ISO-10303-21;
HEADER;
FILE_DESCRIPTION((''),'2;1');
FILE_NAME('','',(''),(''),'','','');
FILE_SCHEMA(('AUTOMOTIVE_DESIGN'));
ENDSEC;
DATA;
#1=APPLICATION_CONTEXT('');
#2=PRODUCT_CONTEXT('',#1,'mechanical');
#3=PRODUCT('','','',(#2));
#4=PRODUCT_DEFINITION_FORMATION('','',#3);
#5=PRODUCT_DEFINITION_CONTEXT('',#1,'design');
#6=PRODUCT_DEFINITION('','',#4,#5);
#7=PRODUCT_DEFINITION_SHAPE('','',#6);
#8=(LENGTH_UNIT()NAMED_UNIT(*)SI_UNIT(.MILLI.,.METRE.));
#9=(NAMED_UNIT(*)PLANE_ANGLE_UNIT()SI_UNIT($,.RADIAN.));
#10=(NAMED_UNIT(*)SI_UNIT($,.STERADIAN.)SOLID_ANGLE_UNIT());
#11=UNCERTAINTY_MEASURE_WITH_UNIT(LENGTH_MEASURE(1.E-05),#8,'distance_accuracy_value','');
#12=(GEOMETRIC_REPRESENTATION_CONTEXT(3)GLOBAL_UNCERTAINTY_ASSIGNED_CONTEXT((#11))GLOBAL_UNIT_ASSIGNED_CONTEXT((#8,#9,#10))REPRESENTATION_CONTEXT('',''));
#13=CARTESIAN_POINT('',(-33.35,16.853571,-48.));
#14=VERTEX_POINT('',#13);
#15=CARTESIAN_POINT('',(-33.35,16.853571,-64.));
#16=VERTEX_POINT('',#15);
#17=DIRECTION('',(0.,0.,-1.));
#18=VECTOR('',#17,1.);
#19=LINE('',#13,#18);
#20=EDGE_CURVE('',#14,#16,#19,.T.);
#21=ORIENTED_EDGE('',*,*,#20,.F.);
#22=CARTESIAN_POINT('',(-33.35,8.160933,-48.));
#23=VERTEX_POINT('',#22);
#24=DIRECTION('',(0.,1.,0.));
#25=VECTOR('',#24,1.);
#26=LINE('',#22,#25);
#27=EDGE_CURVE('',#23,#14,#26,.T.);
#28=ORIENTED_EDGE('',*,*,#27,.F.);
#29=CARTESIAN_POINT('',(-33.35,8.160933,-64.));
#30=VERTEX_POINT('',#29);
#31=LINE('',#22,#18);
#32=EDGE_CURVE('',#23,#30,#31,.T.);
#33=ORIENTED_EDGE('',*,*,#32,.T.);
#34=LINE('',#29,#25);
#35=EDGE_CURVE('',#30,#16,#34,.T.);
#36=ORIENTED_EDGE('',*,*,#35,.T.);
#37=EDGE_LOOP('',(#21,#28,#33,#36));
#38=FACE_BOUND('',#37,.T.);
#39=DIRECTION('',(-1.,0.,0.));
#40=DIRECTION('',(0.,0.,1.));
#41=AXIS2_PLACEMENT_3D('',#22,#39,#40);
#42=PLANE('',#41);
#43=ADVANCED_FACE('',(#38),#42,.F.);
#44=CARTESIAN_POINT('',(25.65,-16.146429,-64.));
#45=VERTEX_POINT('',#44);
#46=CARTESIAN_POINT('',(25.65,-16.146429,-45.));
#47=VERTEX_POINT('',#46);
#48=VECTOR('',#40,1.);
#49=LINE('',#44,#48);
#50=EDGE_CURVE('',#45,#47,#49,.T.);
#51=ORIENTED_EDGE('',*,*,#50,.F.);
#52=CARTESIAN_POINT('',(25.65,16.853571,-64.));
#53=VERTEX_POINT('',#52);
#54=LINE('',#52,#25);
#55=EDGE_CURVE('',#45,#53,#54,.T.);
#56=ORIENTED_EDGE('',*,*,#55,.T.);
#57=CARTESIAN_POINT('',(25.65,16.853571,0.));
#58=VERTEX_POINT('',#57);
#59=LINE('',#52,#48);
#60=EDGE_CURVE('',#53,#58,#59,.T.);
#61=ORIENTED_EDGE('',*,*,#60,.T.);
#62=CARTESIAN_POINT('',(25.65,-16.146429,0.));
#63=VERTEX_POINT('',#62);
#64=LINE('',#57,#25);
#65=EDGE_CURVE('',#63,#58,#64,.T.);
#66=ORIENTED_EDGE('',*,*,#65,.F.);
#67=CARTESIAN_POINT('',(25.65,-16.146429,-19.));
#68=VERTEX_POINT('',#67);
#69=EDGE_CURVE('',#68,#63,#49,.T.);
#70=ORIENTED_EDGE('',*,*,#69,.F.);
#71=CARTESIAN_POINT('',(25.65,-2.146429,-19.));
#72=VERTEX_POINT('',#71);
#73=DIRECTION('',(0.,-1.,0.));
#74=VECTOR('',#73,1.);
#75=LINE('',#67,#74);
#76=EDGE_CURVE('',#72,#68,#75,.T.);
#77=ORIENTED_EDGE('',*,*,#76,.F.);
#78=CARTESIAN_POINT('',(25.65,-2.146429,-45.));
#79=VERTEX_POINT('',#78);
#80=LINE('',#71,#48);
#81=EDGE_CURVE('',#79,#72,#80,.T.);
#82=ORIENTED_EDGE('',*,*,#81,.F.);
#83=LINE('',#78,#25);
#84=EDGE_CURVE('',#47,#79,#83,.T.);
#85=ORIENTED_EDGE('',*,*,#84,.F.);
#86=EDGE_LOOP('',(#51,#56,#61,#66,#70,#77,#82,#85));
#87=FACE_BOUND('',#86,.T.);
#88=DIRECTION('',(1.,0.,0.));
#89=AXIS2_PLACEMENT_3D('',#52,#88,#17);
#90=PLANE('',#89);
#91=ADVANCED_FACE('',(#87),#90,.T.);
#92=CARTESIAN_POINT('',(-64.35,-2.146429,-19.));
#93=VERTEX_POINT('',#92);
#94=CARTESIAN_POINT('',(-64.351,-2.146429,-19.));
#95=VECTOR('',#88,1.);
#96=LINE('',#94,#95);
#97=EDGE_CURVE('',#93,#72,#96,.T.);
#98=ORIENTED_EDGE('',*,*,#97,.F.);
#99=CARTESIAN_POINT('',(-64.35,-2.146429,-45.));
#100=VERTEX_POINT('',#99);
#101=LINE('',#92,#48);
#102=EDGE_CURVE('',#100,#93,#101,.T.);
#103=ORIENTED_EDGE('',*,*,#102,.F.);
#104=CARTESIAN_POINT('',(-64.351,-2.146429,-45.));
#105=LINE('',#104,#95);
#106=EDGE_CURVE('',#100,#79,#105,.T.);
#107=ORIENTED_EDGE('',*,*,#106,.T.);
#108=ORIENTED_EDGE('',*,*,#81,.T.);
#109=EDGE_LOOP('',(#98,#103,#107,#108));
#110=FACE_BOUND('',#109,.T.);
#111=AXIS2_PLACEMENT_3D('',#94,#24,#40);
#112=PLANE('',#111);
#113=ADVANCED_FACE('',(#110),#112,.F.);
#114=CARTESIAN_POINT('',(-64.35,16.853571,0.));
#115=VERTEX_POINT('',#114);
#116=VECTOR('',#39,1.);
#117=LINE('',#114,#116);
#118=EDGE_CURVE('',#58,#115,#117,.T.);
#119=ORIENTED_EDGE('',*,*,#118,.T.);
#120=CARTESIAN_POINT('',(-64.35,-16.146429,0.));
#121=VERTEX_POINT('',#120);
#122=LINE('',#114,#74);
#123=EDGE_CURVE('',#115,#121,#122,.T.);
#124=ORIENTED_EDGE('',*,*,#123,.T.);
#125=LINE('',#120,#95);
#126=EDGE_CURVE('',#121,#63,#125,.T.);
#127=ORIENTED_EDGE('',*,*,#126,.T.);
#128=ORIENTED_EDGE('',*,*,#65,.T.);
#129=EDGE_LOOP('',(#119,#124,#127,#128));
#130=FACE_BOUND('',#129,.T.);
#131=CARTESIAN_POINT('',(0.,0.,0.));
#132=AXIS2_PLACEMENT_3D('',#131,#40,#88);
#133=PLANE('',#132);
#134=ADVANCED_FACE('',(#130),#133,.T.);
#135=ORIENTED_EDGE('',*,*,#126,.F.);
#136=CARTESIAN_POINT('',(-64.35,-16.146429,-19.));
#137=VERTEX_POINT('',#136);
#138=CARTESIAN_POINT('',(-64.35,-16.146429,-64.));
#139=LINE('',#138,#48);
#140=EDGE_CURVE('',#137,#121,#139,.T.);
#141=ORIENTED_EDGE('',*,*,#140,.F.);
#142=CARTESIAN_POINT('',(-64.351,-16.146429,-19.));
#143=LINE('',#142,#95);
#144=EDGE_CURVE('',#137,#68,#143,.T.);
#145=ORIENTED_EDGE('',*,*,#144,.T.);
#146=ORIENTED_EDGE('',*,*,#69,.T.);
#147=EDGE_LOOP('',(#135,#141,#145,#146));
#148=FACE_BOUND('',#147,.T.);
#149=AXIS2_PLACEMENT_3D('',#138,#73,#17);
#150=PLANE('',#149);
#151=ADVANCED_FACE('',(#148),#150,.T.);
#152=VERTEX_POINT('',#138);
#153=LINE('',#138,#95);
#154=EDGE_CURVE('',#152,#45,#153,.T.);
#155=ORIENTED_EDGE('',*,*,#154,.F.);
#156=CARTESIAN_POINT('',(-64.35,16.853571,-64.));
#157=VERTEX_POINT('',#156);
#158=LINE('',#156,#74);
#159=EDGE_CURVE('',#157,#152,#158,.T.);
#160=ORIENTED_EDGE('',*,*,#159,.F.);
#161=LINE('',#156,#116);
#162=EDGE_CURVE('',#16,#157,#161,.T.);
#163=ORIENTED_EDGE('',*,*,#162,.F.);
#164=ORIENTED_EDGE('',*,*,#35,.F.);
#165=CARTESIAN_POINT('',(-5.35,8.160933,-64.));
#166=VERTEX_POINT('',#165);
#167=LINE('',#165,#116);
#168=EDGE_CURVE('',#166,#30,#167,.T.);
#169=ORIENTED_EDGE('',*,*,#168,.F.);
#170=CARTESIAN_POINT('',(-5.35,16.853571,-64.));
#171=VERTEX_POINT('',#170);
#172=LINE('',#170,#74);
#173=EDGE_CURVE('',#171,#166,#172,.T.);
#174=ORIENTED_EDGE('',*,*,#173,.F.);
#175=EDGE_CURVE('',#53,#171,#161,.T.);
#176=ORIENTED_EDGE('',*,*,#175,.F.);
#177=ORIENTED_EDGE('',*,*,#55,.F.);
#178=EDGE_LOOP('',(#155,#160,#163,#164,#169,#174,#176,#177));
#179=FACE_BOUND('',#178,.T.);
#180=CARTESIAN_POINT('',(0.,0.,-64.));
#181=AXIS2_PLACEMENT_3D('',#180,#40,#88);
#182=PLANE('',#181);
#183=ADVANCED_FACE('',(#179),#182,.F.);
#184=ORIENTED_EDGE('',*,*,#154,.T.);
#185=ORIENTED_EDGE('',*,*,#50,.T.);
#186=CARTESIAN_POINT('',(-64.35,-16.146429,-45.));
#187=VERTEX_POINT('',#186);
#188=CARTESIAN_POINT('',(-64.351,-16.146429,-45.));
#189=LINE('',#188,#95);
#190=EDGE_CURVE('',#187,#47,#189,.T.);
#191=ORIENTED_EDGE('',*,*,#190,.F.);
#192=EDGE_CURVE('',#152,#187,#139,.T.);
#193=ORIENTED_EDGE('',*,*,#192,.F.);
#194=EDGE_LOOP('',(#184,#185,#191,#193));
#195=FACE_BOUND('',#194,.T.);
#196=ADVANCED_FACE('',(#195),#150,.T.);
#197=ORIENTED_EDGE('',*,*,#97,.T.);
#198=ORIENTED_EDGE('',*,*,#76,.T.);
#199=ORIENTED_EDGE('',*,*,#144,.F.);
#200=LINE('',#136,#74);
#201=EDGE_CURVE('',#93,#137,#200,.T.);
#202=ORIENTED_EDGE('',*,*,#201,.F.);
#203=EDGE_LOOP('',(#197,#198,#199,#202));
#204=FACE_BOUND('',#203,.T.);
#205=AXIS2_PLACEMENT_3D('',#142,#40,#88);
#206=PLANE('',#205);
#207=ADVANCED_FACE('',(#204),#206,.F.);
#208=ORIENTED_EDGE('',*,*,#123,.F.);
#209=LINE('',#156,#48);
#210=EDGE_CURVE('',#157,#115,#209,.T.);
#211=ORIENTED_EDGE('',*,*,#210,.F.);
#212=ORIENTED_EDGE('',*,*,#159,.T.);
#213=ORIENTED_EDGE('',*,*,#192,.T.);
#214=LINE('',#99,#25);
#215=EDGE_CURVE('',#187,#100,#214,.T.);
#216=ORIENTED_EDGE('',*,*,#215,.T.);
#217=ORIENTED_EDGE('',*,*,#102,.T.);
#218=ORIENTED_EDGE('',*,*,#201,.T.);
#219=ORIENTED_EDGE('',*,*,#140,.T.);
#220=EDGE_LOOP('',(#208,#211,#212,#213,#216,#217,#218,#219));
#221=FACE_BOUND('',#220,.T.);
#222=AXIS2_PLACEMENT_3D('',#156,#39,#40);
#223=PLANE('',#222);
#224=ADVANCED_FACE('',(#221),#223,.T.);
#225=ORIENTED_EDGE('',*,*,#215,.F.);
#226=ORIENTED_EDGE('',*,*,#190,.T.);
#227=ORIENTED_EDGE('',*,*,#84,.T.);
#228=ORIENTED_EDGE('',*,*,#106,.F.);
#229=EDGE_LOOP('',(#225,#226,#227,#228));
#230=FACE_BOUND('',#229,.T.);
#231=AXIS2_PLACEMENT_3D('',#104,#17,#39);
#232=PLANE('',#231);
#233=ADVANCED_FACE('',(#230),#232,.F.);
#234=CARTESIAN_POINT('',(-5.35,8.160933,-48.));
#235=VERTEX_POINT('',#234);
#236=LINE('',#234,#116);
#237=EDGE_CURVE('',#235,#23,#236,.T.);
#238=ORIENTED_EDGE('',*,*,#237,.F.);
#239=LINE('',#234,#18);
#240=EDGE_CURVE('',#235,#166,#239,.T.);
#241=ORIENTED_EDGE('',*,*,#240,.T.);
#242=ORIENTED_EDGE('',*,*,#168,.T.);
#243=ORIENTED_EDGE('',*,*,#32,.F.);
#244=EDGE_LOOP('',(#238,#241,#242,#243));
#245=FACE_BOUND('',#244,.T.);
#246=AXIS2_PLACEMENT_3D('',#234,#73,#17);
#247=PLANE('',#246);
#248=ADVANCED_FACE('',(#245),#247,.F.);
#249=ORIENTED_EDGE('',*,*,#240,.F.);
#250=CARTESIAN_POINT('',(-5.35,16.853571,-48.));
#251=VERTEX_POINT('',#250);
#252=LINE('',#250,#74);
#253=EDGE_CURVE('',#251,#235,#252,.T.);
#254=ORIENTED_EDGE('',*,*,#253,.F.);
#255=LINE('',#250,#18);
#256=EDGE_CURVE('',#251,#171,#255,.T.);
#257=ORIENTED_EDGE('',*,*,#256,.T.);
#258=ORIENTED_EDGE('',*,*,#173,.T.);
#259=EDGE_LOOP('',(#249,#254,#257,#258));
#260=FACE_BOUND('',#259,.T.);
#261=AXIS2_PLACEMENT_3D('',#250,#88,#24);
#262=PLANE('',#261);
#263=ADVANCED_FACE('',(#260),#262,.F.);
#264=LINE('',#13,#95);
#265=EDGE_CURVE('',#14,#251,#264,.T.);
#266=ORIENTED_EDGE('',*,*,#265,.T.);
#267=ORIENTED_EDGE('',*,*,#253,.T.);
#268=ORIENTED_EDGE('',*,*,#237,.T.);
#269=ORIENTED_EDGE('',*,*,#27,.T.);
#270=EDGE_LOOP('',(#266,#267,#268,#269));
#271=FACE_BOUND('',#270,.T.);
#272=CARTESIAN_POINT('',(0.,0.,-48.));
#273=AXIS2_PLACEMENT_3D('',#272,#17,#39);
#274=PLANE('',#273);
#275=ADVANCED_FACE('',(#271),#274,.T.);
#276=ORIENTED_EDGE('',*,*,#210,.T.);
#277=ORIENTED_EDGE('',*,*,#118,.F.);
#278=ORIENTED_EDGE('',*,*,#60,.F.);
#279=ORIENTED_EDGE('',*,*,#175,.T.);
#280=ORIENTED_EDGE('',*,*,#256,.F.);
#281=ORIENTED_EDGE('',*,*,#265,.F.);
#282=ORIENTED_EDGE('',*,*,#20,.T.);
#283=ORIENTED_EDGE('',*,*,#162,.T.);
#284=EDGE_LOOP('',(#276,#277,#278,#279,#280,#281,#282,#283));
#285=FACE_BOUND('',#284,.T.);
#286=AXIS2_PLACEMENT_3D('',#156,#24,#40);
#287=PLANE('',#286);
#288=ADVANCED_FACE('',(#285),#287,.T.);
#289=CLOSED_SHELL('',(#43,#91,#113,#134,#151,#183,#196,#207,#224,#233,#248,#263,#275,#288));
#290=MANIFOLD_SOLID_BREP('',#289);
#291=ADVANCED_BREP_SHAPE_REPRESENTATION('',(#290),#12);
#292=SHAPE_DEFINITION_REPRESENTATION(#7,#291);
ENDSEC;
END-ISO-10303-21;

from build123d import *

# Parameters (mm, degrees)
SKETCH1_W           = 90
SKETCH1_H           = 33
BOSS_EXTRUDE1_DEPTH = 64
CUT_EXTRUDE3_REACH  = 113.714
SKETCH2_W           = 26
SKETCH2_H           = 14
SKETCH3_W           = 28
SKETCH3_H           = 8.692638167
CUT_EXTRUDE4_DEPTH  = 16


with BuildPart() as part:
    # Sketch1 → Boss-Extrude1 (new body)
    with BuildSketch(Plane.XY):
        with Locations((-19.35, 0.353571429)):
            Rectangle(SKETCH1_W, SKETCH1_H)
    extrude(amount=-BOSS_EXTRUDE1_DEPTH)

    # Sketch2 → Cut-Extrude3 (cut, up to next)
    with BuildSketch(Plane(origin=(25.65, 0, 0), x_dir=(0, 0, -1), z_dir=(1, 0, 0)), mode=Mode.PRIVATE) as cut_extrude3_sk1:
        with Locations((32, -9.146428571)):
            Rectangle(SKETCH2_W, SKETCH2_H)
    cut_extrude3_tool1 = extrude(cut_extrude3_sk1.sketch, amount=-CUT_EXTRUDE3_REACH, mode=Mode.PRIVATE) & part.part
    add(cut_extrude3_tool1.solids().sort_by_distance((25.65, -9.146429, -32))[0], mode=Mode.SUBTRACT)

    # Sketch3 → Cut-Extrude4 (cut)
    with BuildSketch(Plane(origin=(0, 0, -64), x_dir=(-1, 0, 0), z_dir=(0, 0, -1))):
        with Locations((19.35, 12.507252346)):
            Rectangle(SKETCH3_W, SKETCH3_H)
    extrude(amount=-CUT_EXTRUDE4_DEPTH, mode=Mode.SUBTRACT)


solid = part.part
